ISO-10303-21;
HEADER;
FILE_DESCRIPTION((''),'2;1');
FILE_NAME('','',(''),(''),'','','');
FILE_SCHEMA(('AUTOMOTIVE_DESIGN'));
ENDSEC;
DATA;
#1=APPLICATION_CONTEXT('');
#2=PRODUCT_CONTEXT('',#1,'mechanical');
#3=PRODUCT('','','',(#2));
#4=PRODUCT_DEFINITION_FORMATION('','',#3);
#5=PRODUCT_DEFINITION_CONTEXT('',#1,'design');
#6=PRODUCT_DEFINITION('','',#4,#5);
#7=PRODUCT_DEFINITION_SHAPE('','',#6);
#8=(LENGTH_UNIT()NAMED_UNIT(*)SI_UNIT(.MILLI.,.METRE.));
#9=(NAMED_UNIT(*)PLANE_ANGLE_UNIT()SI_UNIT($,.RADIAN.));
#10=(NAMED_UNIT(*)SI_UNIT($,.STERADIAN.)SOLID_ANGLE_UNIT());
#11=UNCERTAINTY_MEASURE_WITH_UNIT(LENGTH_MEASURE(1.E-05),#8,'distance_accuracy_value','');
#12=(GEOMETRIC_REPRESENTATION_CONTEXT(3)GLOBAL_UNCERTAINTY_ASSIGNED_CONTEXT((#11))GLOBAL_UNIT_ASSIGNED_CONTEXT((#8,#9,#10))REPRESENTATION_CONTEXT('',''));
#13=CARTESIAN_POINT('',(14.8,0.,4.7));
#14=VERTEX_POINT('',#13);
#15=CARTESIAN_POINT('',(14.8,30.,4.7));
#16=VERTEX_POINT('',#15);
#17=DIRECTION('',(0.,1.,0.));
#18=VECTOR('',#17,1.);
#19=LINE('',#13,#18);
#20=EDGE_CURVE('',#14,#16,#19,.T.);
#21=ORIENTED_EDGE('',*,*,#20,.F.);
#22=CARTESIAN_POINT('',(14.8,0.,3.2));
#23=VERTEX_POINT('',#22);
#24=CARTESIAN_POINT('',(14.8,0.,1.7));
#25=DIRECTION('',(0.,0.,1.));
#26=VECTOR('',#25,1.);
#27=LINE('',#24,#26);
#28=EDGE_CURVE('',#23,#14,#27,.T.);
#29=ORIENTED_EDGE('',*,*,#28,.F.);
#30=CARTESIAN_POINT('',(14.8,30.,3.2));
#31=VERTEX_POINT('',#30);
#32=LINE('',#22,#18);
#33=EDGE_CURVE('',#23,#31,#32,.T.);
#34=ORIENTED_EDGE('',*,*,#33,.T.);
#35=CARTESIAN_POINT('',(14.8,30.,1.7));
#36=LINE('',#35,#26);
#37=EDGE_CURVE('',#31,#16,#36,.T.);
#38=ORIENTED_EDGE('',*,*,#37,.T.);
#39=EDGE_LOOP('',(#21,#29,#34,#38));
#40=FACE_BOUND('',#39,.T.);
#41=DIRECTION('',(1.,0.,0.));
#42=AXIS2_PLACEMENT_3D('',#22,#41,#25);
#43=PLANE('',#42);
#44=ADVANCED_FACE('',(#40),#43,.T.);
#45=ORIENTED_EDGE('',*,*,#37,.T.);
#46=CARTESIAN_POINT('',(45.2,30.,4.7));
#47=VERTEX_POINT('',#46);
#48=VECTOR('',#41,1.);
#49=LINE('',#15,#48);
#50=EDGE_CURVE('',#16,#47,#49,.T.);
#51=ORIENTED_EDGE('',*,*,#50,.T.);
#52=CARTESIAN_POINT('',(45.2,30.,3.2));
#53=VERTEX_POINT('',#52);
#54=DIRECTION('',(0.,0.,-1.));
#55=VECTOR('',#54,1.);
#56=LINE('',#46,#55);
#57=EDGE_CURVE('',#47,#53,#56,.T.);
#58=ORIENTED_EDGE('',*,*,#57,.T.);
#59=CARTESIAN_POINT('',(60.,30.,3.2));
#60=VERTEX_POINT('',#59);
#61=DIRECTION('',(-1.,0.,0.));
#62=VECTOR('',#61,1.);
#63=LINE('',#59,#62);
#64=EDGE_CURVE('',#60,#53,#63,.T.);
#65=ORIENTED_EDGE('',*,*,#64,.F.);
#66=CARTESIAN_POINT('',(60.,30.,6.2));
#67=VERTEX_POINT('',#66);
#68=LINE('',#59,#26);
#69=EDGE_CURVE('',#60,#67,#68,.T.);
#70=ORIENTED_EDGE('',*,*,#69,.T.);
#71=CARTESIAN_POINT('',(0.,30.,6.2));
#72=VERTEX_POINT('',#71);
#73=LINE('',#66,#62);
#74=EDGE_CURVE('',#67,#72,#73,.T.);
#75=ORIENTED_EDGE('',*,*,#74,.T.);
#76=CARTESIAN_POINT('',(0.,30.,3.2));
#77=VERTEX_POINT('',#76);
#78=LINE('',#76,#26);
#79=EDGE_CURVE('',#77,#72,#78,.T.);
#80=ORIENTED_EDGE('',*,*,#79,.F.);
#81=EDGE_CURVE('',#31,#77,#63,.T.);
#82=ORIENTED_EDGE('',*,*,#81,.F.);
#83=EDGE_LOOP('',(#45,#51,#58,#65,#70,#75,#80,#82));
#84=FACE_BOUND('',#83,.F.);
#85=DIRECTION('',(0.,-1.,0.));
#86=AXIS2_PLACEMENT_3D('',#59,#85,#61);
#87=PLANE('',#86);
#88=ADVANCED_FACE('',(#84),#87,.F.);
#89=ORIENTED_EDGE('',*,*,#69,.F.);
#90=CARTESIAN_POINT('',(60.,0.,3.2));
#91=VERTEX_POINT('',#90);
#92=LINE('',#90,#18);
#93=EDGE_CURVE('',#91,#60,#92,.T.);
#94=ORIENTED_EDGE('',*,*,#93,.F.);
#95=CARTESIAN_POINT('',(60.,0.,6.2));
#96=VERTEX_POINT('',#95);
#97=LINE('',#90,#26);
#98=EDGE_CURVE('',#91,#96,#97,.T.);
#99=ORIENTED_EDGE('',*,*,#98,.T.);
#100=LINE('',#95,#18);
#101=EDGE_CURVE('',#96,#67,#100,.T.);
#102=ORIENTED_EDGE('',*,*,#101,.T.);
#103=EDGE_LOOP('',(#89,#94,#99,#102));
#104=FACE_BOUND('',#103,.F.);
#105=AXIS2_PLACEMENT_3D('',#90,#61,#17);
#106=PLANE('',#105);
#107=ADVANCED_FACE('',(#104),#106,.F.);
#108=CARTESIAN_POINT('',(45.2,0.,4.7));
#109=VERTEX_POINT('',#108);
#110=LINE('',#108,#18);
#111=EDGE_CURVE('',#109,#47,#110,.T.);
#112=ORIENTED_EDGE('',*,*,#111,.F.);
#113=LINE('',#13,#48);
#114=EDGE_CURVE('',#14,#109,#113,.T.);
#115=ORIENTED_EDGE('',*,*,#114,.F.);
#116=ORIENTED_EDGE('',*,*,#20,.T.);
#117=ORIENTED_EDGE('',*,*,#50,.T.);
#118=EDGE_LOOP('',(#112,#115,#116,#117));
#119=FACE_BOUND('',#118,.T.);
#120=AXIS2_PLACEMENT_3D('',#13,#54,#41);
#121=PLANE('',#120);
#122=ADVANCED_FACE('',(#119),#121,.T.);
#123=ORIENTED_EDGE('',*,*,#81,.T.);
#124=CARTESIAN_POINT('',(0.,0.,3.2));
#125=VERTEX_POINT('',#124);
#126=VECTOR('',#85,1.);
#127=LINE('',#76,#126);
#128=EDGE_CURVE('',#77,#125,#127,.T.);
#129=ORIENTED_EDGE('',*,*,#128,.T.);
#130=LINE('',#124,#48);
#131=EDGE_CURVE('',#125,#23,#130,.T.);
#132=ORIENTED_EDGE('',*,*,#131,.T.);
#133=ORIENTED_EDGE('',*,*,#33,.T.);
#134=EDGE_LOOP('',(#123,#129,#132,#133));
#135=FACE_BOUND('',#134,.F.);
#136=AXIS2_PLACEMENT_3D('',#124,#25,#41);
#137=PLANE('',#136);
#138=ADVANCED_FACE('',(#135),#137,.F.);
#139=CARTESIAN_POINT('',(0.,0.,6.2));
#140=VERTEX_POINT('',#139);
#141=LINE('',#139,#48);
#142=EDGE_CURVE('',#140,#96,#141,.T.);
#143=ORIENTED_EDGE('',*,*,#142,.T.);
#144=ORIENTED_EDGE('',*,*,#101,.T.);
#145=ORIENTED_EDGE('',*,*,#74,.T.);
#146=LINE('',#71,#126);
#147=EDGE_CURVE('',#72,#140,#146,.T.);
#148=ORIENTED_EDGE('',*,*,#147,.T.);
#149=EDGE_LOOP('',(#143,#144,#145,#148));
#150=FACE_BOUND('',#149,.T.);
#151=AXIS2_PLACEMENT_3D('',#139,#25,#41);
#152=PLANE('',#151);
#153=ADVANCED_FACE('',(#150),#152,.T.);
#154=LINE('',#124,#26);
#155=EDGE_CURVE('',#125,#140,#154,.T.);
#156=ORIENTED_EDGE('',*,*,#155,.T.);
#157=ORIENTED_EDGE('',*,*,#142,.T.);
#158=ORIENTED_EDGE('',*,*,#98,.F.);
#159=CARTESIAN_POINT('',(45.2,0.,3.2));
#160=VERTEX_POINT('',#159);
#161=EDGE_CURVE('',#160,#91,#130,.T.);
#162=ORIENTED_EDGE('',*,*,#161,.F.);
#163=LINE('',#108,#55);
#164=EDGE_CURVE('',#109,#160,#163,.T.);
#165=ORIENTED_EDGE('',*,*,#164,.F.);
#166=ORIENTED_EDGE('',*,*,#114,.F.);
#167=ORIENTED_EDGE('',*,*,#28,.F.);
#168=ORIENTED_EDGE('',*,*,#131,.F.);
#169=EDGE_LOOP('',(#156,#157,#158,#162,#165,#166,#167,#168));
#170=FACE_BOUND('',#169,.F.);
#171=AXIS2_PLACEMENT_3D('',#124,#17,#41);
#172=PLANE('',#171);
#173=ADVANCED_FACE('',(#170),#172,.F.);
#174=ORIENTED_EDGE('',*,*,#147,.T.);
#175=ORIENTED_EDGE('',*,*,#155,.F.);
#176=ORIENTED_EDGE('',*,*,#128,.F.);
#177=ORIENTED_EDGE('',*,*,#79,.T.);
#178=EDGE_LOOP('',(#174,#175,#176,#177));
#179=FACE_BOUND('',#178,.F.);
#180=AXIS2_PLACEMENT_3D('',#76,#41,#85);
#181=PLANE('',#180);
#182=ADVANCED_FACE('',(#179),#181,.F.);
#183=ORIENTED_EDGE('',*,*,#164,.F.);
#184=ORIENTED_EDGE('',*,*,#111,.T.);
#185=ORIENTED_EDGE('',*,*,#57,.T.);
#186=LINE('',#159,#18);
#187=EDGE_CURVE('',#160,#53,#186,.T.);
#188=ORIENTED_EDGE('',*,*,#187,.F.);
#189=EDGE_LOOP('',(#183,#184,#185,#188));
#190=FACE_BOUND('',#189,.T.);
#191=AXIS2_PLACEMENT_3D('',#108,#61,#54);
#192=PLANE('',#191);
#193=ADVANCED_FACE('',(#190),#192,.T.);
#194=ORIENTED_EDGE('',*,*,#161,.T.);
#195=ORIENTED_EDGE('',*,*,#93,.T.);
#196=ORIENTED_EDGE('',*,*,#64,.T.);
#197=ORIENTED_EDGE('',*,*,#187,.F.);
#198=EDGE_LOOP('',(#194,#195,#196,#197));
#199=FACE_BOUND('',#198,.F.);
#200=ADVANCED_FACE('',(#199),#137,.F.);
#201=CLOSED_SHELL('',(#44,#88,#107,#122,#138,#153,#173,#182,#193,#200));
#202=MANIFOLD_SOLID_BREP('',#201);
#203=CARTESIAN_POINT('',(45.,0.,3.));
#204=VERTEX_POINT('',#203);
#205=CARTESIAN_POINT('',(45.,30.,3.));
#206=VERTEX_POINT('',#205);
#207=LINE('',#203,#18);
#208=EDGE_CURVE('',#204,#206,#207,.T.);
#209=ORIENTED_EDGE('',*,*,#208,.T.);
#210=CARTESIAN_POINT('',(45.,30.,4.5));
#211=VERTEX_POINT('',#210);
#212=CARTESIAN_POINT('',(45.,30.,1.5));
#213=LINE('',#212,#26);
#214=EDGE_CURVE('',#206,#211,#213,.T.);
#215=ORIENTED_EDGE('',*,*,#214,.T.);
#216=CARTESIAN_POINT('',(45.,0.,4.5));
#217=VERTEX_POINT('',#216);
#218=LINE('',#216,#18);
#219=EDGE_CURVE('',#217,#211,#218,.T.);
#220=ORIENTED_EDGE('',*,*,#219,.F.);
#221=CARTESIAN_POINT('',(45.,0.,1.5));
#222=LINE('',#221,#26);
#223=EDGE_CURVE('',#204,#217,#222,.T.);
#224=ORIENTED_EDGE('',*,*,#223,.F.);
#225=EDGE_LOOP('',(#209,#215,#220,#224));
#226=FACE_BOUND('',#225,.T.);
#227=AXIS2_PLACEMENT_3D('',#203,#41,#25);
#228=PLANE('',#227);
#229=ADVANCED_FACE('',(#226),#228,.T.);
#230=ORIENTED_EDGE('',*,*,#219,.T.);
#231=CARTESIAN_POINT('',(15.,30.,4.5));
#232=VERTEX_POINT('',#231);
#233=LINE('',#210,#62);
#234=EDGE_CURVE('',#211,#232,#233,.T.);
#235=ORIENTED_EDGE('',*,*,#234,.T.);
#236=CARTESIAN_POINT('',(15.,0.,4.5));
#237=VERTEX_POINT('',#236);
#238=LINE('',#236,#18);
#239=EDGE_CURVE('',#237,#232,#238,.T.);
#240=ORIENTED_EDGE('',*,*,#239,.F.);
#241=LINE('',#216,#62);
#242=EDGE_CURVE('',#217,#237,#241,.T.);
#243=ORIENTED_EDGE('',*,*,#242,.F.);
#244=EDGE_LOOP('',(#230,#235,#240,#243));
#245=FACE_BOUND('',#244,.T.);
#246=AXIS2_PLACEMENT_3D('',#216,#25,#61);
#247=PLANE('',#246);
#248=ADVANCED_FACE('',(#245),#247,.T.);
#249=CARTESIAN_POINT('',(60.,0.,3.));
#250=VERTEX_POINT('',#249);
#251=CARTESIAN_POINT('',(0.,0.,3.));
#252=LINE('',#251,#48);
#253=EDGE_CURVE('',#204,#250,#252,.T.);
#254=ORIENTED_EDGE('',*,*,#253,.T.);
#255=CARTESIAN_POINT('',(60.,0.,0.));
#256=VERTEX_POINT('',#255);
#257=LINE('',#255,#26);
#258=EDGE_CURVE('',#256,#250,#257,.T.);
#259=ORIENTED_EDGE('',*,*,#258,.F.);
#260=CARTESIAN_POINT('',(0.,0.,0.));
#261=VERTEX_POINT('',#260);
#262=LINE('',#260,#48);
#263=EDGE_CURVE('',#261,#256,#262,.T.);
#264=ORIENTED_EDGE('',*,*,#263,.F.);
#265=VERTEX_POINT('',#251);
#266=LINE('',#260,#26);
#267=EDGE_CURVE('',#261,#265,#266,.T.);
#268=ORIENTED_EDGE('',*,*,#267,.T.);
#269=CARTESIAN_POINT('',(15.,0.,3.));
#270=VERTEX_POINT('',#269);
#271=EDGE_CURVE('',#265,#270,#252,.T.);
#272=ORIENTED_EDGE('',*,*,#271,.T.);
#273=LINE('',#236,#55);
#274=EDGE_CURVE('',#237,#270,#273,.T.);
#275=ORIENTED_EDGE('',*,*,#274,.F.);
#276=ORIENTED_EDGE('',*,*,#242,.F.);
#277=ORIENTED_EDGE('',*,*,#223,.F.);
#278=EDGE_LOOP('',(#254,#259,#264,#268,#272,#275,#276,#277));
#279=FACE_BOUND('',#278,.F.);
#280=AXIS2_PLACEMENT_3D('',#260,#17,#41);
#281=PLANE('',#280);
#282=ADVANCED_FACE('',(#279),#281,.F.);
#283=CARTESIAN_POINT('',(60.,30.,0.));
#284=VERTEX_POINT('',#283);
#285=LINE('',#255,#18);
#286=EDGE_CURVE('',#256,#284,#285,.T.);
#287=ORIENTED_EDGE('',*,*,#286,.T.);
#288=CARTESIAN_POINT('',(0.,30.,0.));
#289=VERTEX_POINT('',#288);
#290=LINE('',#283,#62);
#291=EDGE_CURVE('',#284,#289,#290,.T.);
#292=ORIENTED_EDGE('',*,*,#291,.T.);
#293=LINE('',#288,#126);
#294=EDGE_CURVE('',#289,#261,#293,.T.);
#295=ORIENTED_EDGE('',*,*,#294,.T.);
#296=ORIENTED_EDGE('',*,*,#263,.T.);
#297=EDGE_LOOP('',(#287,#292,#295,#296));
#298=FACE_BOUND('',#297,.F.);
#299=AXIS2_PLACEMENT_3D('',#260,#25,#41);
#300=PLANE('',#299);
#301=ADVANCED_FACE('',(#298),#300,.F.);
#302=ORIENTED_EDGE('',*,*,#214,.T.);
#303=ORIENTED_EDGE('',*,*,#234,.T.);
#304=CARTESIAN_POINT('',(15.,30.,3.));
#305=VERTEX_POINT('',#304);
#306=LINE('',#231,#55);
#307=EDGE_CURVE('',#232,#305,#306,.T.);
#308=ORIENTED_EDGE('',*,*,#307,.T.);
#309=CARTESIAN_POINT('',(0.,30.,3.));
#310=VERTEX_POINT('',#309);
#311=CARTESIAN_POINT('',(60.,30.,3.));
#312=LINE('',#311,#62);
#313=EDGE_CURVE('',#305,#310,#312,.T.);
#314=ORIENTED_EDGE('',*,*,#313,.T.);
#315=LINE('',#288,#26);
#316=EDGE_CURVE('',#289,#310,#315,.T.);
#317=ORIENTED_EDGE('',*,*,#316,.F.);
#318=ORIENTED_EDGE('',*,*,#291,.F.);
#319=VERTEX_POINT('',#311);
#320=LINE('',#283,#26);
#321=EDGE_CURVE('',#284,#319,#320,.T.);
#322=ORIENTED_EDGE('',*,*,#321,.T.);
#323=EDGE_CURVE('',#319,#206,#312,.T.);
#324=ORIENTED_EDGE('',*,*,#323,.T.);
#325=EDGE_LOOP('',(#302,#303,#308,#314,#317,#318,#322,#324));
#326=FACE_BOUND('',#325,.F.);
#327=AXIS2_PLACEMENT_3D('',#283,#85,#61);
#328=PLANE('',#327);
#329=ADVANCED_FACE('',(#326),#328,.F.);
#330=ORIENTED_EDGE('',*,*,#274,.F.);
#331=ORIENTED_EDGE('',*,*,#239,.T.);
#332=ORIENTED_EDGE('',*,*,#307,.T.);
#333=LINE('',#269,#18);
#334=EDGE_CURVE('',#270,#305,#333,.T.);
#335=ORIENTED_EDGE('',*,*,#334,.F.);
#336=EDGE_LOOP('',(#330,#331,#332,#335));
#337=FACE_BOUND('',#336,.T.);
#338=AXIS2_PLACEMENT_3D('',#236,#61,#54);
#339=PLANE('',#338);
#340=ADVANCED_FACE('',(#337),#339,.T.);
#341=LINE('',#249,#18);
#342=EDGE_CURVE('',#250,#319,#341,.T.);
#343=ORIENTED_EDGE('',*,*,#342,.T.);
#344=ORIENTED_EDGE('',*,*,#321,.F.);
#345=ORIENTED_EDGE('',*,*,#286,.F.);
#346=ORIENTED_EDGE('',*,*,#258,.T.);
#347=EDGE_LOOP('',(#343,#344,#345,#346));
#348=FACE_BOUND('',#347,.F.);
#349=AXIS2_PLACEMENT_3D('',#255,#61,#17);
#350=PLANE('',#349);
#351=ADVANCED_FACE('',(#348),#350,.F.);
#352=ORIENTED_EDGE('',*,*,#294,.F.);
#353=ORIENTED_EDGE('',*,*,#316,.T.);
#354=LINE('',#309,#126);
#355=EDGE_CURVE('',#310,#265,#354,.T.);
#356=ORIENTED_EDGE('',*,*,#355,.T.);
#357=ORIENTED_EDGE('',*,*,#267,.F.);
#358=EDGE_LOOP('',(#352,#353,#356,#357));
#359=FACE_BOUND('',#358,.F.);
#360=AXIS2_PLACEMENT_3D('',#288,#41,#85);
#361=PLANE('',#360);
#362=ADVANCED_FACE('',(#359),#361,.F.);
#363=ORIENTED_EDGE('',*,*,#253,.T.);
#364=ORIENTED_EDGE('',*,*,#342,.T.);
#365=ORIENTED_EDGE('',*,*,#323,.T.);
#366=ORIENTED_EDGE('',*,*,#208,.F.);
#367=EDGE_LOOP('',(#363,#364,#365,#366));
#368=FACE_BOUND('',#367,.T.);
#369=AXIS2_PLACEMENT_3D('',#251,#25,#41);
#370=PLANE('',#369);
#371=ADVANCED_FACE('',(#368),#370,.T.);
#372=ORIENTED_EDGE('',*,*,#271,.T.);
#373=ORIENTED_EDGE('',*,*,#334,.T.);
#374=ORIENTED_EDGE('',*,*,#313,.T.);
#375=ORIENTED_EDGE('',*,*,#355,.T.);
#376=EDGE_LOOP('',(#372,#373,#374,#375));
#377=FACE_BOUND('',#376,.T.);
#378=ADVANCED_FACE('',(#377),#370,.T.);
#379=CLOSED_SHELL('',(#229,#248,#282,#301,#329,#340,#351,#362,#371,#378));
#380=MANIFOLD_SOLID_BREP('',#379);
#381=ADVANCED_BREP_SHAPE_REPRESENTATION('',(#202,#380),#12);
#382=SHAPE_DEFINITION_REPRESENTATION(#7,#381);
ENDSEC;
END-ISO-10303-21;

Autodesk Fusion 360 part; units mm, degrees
sketch "Sketch2" plane through (0, 0, 0) normal (0, 0, 1) x (1, 0, 0)
  line L0 (0, 0) -> (60, 0)
  line L1 (60, 0) -> (60, 30)
  line L2 (60, 30) -> (0, 30)
  line L3 (0, 30) -> (0, 0)
  dimension "d8" = 60
  dimension "d9" = 30
extrude "Extrude5" add sketch "Sketch2" along normal blind 3 makes body 1
sketch "Sketch6" plane through (0, 0, 0) normal (0, 1, 0) x (1, 0, 0)
  line L0 (45, -4.5) -> (15, -4.5)
  line L1 (15, -4.5) -> (15, -1.5)
  line L2 (15, -1.5) -> (45, -1.5)
  line L3 (45, -1.5) -> (45, -4.5)
  line L4 (45, -4.5) -> (15, -1.5) construction
  line L5 (15, -4.5) -> (45, -1.5) construction
  line L6 (0, -3) -> (60, -3)
  point P0 (30, -3)
  dimension "d36" = 30
  dimension "d37" = 3
extrude "Extrude6" add sketch "Sketch6" along normal blind 30 contours L0 L1 L3 L6 bodies 1
ref_plane "WorkPlane2" through (0, 0, 3.2) normal (0, 0, 1) x (1, 0, 0)
sketch "Sketch7" plane through (0, 0, 3.2) normal (0, 0, 1) x (1, 0, 0)
  line L0 (0, 0) -> (60, 0)
  line L1 (60, 0) -> (60, 30)
  line L2 (60, 30) -> (0, 30)
  line L3 (0, 30) -> (0, 0)
  dimension "d41" = 60
  dimension "d42" = 30
extrude "Extrude7" add sketch "Sketch7" along normal blind 3 separate body makes body 2
sketch "Sketch8" plane through (0, 0, 0) normal (0, 1, 0) x (1, 0, 0)
  line L0 (45.2, -1.7) -> (14.8, -1.7)
  line L1 (14.8, -1.7) -> (14.8, -4.7)
  line L2 (14.8, -4.7) -> (45.2, -4.7)
  line L3 (45.2, -4.7) -> (45.2, -1.7)
  line L4 (45.2, -1.7) -> (14.8, -4.7) construction
  line L5 (14.8, -1.7) -> (45.2, -4.7) construction
  line L6 (0, -3.2) -> (60, -3.2)
  point P0 (30, -3.2)
  dimension "d45" = 30.4
  dimension "d46" = 3
extrude "Extrude8" cut sketch "Sketch8" along normal blind 30 contours L1 L2 L3 L6 bodies 2
equation "platelength = 60 mm"
equation "platewidth = 30 mm"
equation "plateheight = 3 mm"
equation "clearence = 0.2 mm"
equation "d8 = platelength"
equation "d9 = platewidth"
equation "d34 = plateheight"
equation "d37 = plateheight"
equation "d38 = platewidth"
equation "d40 = plateheight + clearence"
equation "d41 = platelength"
equation "d42 = platewidth"
equation "d43 = plateheight"
equation "d45 = 30 mm + ( 2 * clearence )"
equation "d46 = plateheight"
equation "d47 = platewidth"
